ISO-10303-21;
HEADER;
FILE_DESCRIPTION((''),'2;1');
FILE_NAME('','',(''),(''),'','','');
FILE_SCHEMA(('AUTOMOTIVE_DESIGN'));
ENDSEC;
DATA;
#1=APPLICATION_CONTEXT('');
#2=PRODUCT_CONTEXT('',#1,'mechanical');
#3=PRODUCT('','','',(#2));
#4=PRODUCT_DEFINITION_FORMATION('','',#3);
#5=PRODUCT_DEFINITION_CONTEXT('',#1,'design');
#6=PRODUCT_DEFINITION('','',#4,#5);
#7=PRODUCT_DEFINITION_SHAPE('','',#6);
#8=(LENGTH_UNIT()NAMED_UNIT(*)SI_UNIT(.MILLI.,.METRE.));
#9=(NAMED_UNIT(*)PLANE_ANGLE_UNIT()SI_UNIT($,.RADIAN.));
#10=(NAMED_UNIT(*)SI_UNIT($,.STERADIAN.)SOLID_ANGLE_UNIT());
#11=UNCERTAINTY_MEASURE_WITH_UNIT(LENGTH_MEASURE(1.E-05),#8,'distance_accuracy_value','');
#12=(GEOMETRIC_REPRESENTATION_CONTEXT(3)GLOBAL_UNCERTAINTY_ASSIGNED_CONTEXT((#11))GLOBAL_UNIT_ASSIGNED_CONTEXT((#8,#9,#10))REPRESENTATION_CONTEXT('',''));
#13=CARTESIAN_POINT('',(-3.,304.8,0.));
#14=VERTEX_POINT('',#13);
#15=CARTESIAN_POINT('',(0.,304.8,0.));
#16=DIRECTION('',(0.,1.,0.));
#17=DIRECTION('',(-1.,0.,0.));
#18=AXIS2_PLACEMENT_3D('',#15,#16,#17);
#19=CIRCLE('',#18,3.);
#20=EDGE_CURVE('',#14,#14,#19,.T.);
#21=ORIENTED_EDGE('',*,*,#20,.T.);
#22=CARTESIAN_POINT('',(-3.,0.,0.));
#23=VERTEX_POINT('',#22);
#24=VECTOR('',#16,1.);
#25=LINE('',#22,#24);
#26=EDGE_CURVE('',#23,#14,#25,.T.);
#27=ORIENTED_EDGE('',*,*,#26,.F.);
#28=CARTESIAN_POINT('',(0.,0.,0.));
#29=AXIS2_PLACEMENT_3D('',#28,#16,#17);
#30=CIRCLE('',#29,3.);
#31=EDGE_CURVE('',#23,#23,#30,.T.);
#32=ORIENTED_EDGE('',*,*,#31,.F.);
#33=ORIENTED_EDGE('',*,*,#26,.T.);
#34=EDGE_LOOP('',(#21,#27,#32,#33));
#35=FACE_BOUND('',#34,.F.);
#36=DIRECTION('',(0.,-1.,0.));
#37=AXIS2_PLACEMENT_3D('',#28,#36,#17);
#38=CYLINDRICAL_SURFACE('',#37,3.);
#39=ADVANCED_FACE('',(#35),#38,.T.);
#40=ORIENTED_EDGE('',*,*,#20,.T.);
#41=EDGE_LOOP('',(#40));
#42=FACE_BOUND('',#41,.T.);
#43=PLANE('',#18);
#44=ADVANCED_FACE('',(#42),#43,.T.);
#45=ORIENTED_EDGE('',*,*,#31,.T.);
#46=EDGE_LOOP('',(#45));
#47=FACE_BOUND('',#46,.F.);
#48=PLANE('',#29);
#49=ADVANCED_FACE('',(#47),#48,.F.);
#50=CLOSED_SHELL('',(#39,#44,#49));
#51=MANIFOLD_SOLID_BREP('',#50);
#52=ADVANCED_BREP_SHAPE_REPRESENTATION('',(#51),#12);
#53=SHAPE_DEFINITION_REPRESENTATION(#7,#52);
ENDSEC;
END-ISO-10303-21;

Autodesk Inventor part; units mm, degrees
ref_plane "YZ Plane" through (0, 0, 0) normal (1, 0, 0) x (0, 1, 0)
ref_plane "XZ Plane" through (0, 0, 0) normal (0, 1, 0) x (-1, 0, 0)
ref_plane "XY Plane" through (0, 0, 0) normal (0, 0, 1) x (1, 0, 0)
sketch "Sketch1" plane through (0, 0, 0) normal (0, 1, 0) x (-1, 0, 0)
  circle A0 centre (0, 0) radius 3
  dimension "d0" = 6
extrude "Extrusion1" add sketch "Sketch1" along normal blind 304.8
thread "Thread2" size "M6x1" class "6g" standard "ANSI Metric M Profile" full length
properties part number "T6_12in"
